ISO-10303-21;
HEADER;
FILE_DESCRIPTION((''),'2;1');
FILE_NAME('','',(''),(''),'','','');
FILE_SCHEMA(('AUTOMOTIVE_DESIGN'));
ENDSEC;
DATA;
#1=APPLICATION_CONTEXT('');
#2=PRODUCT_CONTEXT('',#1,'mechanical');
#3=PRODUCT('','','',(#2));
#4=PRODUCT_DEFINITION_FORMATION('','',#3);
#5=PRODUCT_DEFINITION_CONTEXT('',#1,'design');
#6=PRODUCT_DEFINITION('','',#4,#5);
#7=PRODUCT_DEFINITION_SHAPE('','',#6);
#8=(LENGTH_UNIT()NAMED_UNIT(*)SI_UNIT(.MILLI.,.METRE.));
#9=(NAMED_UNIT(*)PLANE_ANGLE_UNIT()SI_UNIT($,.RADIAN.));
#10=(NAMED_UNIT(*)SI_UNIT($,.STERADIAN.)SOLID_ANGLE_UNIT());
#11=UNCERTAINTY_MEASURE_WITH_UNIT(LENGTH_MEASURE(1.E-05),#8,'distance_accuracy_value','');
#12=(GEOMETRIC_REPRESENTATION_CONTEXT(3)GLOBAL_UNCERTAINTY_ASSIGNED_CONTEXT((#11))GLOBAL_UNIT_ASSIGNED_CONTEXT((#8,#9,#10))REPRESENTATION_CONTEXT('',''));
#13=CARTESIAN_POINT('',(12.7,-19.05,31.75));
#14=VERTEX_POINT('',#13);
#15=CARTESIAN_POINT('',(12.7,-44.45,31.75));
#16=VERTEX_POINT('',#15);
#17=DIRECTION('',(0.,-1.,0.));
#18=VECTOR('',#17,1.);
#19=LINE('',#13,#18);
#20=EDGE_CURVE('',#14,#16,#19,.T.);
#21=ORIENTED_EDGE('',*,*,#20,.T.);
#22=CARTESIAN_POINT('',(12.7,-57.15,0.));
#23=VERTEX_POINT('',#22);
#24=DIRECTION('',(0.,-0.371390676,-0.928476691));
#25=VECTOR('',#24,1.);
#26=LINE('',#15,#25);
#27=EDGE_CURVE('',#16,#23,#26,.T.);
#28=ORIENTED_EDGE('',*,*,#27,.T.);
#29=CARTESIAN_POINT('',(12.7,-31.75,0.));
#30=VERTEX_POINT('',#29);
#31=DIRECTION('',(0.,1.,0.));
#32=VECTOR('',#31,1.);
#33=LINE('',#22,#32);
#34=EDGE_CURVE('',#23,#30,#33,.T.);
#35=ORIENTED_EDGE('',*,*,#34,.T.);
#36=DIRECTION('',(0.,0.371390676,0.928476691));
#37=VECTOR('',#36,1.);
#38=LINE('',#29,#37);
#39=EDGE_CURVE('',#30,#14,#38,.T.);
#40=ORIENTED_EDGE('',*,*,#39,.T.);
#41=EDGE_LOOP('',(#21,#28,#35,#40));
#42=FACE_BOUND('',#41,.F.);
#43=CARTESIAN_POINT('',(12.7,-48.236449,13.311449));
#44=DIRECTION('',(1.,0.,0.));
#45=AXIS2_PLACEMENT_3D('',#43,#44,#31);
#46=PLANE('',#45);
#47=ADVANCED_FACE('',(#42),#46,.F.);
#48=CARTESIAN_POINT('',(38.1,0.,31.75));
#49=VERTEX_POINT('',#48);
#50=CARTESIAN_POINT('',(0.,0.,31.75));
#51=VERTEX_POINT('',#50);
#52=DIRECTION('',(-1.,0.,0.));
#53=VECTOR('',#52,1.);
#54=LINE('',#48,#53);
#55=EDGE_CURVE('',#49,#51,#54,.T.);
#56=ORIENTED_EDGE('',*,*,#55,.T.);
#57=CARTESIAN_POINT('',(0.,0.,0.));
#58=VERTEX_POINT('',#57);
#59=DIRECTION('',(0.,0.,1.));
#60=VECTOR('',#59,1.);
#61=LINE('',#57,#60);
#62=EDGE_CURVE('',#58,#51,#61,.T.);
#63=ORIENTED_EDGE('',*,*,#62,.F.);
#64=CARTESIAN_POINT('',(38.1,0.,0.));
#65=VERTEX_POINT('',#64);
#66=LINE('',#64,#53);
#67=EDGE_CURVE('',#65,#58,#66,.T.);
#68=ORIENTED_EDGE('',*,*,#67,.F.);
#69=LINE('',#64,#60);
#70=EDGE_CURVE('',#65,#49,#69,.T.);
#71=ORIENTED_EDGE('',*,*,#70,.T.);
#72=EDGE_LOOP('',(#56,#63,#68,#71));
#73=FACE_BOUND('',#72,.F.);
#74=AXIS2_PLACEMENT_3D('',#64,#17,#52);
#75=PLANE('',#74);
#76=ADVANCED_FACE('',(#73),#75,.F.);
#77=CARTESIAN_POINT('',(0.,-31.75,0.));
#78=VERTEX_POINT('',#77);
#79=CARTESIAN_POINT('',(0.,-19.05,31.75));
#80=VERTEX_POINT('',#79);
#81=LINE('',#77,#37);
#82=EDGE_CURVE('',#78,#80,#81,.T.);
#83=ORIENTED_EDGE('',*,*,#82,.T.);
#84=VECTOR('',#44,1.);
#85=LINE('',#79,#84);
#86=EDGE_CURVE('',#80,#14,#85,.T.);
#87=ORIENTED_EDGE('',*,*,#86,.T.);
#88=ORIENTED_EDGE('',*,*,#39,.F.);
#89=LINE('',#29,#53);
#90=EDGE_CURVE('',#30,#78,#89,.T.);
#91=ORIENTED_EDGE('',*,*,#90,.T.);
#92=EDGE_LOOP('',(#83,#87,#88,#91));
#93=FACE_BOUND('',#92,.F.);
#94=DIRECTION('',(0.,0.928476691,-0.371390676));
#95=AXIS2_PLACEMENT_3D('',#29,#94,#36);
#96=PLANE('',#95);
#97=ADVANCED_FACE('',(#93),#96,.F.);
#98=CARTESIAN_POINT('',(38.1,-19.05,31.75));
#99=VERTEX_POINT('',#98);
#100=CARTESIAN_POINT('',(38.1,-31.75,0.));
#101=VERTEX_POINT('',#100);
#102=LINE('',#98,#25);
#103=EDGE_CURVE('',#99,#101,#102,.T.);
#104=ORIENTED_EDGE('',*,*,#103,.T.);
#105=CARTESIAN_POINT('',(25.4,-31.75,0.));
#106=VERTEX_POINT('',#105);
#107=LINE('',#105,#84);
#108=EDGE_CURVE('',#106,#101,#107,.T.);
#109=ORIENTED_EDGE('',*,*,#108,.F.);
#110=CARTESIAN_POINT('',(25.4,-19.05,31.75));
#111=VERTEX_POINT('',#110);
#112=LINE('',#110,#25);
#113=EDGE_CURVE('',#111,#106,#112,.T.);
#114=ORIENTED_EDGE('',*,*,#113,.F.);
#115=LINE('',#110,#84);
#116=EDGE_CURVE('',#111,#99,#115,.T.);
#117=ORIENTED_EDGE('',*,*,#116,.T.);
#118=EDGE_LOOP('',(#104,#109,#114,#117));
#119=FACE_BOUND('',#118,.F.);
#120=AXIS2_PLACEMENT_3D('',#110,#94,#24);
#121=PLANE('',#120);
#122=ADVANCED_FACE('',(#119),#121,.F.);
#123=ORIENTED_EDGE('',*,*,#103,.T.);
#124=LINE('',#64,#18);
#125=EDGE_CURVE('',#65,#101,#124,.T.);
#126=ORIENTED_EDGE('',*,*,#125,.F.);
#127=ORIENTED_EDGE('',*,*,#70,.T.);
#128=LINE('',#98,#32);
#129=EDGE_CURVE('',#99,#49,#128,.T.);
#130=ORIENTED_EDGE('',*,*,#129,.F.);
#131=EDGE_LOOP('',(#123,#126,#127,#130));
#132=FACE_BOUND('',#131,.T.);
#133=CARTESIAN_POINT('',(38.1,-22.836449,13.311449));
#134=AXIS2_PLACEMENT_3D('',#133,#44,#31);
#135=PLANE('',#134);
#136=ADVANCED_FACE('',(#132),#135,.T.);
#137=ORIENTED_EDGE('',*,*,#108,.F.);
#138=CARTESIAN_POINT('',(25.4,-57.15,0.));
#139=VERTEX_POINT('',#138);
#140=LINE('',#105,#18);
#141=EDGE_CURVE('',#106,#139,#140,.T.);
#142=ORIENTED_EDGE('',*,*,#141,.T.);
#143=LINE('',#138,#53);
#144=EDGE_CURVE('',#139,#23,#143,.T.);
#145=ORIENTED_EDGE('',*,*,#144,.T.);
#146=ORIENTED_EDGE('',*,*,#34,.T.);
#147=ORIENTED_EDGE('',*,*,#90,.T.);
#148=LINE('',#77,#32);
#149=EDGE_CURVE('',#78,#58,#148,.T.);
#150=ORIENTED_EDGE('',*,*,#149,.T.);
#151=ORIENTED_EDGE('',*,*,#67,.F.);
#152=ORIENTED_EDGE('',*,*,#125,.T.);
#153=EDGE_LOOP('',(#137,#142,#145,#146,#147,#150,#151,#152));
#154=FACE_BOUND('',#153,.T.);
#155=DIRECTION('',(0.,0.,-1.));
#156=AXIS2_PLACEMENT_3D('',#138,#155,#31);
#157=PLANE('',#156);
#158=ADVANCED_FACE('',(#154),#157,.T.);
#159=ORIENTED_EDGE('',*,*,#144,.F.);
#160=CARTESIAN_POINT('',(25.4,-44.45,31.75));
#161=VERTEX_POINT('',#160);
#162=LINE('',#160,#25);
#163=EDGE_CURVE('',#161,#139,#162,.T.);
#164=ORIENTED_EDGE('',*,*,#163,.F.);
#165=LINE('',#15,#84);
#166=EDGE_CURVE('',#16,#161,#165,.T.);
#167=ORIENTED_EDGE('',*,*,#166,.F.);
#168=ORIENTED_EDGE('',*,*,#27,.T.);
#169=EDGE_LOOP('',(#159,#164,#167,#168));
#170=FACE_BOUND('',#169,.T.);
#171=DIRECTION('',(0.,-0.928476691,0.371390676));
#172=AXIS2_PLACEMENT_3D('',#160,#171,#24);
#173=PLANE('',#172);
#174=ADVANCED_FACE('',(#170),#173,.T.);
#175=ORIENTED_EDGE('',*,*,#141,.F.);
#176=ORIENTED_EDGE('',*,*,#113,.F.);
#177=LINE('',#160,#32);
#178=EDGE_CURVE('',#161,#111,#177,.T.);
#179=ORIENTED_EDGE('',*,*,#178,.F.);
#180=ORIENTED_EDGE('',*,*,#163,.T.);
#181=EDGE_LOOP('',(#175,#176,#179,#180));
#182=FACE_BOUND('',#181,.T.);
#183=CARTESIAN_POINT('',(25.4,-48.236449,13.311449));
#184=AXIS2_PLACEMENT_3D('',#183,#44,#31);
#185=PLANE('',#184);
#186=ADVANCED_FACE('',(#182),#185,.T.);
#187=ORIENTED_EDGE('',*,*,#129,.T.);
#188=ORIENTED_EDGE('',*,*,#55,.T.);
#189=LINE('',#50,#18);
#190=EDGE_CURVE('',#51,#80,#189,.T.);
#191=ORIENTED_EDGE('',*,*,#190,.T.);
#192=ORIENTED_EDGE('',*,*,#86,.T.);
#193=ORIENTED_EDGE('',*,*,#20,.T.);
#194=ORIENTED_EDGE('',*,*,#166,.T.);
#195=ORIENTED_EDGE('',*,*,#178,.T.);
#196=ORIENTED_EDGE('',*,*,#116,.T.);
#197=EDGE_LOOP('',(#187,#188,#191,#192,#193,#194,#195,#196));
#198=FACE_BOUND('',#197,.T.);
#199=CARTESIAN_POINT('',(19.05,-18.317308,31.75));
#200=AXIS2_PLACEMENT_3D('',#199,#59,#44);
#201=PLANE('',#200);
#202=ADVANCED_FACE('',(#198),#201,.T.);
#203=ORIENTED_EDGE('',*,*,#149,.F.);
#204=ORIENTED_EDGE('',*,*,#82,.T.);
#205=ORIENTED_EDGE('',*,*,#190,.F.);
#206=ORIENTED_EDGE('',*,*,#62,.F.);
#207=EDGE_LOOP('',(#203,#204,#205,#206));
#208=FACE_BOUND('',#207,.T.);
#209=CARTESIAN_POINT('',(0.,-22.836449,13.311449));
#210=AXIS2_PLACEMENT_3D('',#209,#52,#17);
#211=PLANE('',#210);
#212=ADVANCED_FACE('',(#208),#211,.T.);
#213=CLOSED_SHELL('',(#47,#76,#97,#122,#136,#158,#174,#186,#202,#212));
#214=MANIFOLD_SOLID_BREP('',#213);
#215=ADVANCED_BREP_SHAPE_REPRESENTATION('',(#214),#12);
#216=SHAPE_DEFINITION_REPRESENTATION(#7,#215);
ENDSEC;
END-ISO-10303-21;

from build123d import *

# Parameters (mm, degrees)
F1_DEPTH = 31.75
F3_DEPTH = 12.7
F5_DEPTH = 12.7
F7_DEPTH = 12.7


with BuildPart() as f1:
    # F0 (on Top) → F1 (new body)
    with BuildSketch(Plane.XY):
        Polygon((38.1, 0), (0, 0), (0, -19.05), (12.7, -19.05), (12.7, -44.45), (25.4, -44.45), (25.4, -19.05), (38.1, -19.05), align=None)
    extrude(amount=F1_DEPTH)

    # F2 (on face) → F3 (join)
    with BuildSketch(Plane.YZ.offset(25.4)):
        Polygon((-31.75, 0), (-19.05, 0), (-19.05, 31.75), align=None)
    extrude(amount=F3_DEPTH)

    # F4 (on face) → F5 (join)
    with BuildSketch(Plane(origin=(12.7, 0, 0), x_dir=(0, -1, 0), z_dir=(-1, 0, 0))):
        Polygon((19.05, 31.75), (19.05, 0), (31.75, 0), align=None)
    extrude(amount=F5_DEPTH)

    # F6 (on face) → F7 (join)
    with BuildSketch(Plane.YZ.offset(25.4)):
        Polygon((-57.15, 0), (-44.45, 0), (-44.45, 31.75), align=None)
    extrude(amount=-F7_DEPTH)


solid = f1.part
